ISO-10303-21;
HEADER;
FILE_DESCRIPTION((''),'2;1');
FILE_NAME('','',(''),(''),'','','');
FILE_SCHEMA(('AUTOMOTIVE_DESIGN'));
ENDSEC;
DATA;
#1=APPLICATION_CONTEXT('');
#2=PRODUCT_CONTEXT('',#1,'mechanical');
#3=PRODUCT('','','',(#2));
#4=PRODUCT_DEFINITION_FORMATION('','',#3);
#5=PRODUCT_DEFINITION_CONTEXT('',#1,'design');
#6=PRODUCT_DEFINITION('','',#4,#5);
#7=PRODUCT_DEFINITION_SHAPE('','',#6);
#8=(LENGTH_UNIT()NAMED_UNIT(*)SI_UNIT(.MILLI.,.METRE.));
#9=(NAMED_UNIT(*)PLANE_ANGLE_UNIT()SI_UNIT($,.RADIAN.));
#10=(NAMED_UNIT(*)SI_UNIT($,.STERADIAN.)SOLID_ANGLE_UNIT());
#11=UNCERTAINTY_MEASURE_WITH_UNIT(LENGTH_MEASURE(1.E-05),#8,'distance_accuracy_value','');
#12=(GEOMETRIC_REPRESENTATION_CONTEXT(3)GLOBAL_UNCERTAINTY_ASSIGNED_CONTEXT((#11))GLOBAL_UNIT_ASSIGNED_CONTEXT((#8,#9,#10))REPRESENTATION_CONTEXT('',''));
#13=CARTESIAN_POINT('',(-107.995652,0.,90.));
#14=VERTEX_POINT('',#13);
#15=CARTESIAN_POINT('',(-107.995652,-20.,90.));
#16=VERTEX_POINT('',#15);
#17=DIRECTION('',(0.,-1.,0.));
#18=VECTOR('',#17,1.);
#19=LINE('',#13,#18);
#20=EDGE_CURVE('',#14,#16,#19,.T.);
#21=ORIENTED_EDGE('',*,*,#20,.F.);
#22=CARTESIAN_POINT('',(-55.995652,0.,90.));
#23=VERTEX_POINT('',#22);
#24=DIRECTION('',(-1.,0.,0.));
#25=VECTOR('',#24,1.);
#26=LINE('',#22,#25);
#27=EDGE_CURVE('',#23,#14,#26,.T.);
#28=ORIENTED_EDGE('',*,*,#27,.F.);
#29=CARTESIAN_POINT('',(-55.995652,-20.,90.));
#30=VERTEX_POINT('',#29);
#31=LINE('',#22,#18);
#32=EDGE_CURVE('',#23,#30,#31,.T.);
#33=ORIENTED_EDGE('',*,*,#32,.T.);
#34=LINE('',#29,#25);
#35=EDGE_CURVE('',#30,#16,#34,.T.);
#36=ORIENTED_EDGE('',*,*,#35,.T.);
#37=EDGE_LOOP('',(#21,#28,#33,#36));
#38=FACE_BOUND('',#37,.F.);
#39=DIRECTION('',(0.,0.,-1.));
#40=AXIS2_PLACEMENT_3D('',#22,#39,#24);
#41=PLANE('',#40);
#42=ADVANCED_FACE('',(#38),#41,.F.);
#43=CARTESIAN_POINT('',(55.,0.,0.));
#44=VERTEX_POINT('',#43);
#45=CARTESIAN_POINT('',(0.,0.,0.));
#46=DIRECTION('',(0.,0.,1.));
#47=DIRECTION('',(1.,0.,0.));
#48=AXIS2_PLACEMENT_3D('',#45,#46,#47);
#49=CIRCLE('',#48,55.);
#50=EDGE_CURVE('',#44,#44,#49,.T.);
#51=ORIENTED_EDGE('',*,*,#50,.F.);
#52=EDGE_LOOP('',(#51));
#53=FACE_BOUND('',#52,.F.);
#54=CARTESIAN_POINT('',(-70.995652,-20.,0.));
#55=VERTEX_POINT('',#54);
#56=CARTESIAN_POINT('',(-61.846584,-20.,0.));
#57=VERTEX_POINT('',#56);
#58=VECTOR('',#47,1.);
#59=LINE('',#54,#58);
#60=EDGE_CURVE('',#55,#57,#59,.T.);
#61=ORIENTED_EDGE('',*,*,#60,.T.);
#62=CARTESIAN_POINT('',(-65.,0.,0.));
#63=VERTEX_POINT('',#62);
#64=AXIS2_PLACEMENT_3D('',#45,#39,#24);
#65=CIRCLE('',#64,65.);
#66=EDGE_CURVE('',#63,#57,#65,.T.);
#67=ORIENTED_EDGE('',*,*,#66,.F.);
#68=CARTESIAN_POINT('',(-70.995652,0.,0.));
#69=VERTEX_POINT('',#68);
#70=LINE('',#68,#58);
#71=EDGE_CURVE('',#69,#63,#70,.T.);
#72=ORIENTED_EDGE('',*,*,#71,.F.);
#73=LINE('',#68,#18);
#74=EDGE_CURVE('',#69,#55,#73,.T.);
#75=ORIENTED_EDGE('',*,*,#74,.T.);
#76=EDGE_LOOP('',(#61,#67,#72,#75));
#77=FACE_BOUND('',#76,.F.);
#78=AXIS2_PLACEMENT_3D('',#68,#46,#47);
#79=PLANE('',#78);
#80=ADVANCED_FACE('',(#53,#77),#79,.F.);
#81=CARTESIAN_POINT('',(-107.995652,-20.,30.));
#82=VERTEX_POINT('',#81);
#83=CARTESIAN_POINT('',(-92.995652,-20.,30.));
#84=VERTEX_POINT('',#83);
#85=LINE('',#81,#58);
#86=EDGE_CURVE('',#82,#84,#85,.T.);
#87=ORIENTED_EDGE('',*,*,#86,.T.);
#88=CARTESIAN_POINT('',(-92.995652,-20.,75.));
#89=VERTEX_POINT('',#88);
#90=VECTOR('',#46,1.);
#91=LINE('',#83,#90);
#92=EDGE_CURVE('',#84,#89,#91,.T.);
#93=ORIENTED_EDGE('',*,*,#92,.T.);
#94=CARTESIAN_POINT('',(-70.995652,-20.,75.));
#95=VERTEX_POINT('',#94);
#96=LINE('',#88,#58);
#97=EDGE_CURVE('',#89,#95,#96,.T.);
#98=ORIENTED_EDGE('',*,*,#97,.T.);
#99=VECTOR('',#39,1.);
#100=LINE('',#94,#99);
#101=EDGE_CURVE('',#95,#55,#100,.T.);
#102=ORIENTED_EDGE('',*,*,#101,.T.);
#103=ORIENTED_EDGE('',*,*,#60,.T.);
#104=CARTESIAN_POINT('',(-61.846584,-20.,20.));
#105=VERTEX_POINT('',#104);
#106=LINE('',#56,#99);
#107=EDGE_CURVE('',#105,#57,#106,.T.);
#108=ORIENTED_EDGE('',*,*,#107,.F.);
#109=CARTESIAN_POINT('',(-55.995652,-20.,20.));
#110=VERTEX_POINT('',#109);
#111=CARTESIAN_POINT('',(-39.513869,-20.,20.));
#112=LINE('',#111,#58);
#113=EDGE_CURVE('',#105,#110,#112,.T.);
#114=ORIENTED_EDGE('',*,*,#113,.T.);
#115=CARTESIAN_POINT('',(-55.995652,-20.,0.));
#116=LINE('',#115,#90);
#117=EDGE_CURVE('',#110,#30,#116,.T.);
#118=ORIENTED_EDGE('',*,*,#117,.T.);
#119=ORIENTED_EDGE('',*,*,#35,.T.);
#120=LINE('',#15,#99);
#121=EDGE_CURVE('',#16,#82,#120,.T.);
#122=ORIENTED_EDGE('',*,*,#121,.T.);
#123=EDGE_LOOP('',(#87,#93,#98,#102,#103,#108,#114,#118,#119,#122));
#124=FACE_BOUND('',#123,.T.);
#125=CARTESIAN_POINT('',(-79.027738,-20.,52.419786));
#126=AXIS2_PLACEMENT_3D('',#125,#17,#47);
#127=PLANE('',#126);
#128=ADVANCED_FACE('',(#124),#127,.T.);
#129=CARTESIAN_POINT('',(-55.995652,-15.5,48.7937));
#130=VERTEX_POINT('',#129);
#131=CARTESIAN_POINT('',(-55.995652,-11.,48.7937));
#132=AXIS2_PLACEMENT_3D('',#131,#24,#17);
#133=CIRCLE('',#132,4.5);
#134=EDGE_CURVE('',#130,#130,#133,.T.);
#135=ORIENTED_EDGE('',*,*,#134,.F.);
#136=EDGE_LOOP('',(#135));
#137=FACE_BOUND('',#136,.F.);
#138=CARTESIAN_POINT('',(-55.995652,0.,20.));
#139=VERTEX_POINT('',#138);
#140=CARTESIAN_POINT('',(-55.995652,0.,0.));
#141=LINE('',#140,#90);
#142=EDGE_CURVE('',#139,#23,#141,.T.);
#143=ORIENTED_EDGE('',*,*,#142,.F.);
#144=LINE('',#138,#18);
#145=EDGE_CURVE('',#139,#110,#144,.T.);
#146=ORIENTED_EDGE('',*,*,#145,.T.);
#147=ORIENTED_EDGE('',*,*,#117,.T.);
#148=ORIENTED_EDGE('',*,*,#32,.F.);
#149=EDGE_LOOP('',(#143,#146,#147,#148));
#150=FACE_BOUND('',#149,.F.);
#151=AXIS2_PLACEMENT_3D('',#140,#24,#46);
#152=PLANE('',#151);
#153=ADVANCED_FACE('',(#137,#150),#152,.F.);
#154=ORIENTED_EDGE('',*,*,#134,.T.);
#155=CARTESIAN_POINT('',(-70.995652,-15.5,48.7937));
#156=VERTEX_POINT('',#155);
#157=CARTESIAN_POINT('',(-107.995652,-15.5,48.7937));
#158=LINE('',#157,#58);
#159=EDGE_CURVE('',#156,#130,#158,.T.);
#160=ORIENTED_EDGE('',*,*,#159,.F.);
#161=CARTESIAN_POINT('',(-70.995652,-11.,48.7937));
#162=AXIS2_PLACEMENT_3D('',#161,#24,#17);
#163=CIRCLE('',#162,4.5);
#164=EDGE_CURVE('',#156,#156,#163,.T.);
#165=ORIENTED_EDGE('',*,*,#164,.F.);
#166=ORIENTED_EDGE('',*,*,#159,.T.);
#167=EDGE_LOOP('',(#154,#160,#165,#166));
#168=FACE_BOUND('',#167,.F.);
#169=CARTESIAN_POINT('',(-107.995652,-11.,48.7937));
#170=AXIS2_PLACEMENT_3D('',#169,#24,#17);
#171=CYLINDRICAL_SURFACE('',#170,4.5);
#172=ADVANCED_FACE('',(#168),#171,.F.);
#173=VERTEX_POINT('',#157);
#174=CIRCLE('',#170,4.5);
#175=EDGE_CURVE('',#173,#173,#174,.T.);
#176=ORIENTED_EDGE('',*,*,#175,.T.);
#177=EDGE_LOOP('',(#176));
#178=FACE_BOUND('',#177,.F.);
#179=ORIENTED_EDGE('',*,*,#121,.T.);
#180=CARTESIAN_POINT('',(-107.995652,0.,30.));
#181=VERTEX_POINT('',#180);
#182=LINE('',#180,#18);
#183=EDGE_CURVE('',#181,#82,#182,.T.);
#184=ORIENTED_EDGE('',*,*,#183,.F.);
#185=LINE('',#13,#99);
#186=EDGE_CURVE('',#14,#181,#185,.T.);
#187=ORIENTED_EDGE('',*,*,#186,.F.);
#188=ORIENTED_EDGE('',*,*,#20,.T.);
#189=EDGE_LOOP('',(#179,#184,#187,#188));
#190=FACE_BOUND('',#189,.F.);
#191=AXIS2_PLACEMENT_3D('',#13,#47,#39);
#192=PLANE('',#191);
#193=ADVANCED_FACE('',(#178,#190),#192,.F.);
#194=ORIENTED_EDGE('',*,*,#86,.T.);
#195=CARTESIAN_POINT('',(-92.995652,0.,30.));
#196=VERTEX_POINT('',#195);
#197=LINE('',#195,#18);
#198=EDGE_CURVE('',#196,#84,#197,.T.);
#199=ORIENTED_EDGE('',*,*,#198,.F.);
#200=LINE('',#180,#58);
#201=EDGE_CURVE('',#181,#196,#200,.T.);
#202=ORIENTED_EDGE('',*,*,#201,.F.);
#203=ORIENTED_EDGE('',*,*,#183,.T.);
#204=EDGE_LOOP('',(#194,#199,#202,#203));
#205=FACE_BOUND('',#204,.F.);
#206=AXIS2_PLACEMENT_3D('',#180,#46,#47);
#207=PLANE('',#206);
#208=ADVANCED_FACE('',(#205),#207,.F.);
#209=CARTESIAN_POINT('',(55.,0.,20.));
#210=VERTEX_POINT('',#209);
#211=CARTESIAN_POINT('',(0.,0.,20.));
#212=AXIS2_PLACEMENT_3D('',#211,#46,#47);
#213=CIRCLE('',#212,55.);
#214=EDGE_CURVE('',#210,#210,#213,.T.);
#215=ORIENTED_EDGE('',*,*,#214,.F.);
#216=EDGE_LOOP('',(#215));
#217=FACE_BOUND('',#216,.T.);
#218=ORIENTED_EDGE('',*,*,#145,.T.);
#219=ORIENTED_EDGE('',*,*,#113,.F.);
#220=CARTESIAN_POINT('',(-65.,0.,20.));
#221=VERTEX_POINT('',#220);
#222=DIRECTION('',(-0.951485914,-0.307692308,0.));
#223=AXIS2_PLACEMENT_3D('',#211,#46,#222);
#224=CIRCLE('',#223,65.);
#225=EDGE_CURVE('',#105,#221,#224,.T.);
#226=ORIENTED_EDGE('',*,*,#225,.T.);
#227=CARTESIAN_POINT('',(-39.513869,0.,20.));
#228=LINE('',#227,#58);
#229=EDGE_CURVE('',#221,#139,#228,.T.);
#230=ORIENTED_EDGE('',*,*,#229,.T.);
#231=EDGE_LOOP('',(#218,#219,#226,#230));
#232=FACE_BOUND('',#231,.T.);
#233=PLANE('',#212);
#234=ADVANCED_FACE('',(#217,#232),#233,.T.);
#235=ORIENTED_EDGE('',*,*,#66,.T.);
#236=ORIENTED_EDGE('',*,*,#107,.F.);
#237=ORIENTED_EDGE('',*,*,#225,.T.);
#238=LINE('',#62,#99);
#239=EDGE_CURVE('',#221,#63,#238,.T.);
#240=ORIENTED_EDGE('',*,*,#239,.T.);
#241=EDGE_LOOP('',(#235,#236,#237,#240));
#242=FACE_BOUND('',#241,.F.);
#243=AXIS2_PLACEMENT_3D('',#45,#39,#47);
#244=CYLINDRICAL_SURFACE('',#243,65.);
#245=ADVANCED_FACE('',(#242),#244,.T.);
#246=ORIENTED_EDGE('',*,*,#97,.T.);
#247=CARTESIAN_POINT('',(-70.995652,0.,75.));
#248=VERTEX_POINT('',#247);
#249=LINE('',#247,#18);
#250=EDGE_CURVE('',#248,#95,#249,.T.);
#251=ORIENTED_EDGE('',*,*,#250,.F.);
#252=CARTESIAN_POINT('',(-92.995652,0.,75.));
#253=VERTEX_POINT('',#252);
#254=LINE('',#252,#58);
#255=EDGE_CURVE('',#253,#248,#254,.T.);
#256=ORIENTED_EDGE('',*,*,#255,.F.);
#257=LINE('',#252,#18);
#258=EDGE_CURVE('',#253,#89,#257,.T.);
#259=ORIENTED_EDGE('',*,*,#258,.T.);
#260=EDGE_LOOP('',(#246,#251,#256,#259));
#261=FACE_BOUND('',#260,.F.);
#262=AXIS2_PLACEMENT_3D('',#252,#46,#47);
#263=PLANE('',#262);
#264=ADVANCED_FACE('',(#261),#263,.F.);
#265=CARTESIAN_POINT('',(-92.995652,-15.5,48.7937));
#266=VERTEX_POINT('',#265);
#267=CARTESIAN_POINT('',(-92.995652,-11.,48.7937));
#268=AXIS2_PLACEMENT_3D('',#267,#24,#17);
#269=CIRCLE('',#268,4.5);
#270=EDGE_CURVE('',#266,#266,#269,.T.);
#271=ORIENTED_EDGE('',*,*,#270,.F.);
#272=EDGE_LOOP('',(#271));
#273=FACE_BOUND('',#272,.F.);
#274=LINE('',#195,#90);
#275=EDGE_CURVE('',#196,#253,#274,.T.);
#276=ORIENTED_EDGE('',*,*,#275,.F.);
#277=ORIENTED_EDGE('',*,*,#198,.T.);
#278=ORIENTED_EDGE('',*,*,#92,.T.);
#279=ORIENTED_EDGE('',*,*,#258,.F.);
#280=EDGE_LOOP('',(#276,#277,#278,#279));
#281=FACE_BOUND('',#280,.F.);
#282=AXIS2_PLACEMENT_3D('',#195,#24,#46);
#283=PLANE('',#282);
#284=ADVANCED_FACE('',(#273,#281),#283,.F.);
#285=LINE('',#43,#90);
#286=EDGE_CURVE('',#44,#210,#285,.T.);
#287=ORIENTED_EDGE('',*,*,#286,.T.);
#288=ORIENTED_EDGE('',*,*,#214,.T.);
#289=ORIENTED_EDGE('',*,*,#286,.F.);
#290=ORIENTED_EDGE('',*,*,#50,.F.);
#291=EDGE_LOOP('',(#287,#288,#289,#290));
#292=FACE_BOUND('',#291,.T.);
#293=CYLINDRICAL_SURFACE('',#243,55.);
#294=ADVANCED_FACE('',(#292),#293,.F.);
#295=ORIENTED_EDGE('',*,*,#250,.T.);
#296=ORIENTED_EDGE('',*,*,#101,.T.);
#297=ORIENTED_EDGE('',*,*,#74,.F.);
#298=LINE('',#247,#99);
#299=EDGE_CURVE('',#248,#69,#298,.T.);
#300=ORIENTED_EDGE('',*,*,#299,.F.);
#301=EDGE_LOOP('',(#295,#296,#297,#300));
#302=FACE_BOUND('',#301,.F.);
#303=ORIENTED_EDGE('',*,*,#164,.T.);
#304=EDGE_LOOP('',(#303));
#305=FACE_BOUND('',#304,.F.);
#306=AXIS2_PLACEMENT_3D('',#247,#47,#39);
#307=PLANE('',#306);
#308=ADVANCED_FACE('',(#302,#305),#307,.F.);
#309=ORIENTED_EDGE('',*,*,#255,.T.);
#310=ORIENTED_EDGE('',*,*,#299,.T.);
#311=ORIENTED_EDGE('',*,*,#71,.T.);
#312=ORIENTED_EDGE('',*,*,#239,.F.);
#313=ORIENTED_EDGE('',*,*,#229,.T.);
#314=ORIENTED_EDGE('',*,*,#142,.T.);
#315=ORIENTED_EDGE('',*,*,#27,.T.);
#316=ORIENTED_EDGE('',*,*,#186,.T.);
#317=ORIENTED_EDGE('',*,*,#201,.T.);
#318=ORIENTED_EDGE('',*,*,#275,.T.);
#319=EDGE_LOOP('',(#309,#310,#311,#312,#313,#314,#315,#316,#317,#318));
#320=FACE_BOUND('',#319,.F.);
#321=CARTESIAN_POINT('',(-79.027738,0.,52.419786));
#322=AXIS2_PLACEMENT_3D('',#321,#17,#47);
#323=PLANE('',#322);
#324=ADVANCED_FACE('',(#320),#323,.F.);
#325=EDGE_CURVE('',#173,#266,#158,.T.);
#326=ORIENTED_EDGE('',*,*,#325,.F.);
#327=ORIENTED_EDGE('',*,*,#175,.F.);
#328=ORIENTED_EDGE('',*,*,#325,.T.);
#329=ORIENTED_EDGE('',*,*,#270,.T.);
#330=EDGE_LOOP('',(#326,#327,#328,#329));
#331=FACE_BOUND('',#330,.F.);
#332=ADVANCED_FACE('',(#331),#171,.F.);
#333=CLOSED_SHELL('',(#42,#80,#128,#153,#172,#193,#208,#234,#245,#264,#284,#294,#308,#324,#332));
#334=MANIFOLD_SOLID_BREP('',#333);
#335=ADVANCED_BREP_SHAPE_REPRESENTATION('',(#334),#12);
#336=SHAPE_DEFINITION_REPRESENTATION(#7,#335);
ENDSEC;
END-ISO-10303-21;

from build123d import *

# Parameters (mm, degrees)
F0_R     = 65
F0_R_2   = 55
F1_DEPTH = 20
F3_DEPTH = 20
F4_R     = 4.5
F5_DEPTH = 172.996652


with BuildPart() as f1:
    # F0 (on Top) → F1 (new body)
    with BuildSketch(Plane.XY):
        Circle(F0_R)
        Circle(F0_R_2, mode=Mode.SUBTRACT)
    extrude(amount=F1_DEPTH)

    # F2 (on Front) → F3 (join)
    with BuildSketch(Plane.XZ):
        Polygon((-70.995652, 0), (-55.995652, 0), (-55.995652, 90), (-70.995652, 90), (-107.995652, 90), (-107.995652, 30), (-92.995652, 30), (-92.995652, 75), (-70.995652, 75), align=None)
    extrude(amount=F3_DEPTH)

    # F4 (on face) → F5 (cut, through all)
    with BuildSketch(Plane(origin=(-107.995652, 0, 0), x_dir=(0, -1, 0), z_dir=(-1, 0, 0))):
        with Locations((11, 48.7937)):
            Circle(F4_R)
    extrude(amount=-F5_DEPTH, mode=Mode.SUBTRACT)


solid = f1.part
